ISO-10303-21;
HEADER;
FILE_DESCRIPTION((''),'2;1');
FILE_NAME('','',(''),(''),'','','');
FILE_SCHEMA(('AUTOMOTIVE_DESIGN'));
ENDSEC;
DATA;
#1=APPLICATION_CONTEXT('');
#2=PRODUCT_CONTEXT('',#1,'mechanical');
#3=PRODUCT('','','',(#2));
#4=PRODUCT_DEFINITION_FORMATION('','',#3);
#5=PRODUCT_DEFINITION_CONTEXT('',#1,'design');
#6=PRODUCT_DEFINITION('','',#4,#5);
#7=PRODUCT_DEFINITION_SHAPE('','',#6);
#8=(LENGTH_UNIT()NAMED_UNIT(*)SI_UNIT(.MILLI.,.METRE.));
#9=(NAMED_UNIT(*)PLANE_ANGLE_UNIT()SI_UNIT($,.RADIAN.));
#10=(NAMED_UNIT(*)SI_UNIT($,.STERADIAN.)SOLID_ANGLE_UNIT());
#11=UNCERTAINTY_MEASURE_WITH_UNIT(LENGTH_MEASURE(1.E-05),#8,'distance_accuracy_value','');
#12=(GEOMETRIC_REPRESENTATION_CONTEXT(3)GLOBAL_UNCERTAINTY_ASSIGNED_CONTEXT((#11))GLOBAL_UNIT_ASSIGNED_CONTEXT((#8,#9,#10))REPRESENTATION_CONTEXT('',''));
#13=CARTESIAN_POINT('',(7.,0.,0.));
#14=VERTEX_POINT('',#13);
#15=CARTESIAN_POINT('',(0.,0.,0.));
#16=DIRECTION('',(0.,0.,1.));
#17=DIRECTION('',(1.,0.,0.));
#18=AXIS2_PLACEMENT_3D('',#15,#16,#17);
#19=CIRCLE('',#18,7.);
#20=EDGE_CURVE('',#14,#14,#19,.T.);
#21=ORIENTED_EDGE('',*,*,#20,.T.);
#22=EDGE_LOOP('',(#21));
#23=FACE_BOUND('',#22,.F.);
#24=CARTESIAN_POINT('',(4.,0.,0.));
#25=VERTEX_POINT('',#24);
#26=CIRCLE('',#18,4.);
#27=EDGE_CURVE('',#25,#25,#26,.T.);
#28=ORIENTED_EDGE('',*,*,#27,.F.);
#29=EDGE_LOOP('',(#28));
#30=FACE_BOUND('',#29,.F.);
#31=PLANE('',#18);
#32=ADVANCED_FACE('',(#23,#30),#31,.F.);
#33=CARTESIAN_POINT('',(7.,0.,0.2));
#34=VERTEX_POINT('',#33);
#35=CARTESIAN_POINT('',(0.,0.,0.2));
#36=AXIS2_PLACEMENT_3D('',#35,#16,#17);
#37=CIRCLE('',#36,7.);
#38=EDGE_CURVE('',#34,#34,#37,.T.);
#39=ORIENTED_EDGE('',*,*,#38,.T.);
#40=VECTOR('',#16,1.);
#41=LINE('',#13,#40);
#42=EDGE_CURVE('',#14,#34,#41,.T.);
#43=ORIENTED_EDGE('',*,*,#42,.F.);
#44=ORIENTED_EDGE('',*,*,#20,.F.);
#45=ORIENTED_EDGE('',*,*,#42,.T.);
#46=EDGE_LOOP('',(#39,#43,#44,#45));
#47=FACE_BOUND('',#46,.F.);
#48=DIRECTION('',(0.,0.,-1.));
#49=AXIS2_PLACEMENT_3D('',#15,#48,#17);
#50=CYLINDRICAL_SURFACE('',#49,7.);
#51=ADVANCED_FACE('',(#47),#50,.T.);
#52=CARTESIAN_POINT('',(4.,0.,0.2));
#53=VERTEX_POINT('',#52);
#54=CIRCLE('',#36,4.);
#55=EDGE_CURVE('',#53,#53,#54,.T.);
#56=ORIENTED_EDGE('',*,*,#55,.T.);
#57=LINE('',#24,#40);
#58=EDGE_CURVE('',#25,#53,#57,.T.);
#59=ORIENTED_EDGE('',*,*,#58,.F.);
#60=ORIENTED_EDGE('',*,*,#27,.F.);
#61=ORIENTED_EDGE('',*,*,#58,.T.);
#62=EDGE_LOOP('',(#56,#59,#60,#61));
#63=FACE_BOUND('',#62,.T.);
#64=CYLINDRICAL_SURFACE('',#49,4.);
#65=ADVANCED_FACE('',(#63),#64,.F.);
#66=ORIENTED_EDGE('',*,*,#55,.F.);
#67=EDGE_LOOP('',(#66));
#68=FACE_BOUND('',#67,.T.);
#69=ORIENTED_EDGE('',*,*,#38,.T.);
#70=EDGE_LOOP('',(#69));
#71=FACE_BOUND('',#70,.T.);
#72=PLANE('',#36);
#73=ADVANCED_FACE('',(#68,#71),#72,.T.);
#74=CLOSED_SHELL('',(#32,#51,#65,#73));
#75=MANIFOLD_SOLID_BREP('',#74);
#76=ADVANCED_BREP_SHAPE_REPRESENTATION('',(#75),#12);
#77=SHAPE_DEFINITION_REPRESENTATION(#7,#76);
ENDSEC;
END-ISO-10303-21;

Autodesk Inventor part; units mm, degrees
ref_plane "Plan YZ" through (0, 0, 0) normal (1, 0, 0) x (0, 1, 0)
ref_plane "Plan XZ" through (0, 0, 0) normal (0, 1, 0) x (-1, 0, 0)
ref_plane "Plan XY" through (0, 0, 0) normal (0, 0, 1) x (1, 0, 0)
sketch "Esquisse1" plane through (0, 0, 0) normal (0, 0, 1) x (1, 0, 0)
  circle A0 centre (0, 0) radius 4
  circle A1 centre (0, 0) radius 7
  dimension "d0" = 8
  dimension "d1" = 14
extrude "Extrusion1" add sketch "Esquisse1" along normal blind 0.2
properties part number "BN1976-8x14x0.2" material ".115CrV3/K510"
